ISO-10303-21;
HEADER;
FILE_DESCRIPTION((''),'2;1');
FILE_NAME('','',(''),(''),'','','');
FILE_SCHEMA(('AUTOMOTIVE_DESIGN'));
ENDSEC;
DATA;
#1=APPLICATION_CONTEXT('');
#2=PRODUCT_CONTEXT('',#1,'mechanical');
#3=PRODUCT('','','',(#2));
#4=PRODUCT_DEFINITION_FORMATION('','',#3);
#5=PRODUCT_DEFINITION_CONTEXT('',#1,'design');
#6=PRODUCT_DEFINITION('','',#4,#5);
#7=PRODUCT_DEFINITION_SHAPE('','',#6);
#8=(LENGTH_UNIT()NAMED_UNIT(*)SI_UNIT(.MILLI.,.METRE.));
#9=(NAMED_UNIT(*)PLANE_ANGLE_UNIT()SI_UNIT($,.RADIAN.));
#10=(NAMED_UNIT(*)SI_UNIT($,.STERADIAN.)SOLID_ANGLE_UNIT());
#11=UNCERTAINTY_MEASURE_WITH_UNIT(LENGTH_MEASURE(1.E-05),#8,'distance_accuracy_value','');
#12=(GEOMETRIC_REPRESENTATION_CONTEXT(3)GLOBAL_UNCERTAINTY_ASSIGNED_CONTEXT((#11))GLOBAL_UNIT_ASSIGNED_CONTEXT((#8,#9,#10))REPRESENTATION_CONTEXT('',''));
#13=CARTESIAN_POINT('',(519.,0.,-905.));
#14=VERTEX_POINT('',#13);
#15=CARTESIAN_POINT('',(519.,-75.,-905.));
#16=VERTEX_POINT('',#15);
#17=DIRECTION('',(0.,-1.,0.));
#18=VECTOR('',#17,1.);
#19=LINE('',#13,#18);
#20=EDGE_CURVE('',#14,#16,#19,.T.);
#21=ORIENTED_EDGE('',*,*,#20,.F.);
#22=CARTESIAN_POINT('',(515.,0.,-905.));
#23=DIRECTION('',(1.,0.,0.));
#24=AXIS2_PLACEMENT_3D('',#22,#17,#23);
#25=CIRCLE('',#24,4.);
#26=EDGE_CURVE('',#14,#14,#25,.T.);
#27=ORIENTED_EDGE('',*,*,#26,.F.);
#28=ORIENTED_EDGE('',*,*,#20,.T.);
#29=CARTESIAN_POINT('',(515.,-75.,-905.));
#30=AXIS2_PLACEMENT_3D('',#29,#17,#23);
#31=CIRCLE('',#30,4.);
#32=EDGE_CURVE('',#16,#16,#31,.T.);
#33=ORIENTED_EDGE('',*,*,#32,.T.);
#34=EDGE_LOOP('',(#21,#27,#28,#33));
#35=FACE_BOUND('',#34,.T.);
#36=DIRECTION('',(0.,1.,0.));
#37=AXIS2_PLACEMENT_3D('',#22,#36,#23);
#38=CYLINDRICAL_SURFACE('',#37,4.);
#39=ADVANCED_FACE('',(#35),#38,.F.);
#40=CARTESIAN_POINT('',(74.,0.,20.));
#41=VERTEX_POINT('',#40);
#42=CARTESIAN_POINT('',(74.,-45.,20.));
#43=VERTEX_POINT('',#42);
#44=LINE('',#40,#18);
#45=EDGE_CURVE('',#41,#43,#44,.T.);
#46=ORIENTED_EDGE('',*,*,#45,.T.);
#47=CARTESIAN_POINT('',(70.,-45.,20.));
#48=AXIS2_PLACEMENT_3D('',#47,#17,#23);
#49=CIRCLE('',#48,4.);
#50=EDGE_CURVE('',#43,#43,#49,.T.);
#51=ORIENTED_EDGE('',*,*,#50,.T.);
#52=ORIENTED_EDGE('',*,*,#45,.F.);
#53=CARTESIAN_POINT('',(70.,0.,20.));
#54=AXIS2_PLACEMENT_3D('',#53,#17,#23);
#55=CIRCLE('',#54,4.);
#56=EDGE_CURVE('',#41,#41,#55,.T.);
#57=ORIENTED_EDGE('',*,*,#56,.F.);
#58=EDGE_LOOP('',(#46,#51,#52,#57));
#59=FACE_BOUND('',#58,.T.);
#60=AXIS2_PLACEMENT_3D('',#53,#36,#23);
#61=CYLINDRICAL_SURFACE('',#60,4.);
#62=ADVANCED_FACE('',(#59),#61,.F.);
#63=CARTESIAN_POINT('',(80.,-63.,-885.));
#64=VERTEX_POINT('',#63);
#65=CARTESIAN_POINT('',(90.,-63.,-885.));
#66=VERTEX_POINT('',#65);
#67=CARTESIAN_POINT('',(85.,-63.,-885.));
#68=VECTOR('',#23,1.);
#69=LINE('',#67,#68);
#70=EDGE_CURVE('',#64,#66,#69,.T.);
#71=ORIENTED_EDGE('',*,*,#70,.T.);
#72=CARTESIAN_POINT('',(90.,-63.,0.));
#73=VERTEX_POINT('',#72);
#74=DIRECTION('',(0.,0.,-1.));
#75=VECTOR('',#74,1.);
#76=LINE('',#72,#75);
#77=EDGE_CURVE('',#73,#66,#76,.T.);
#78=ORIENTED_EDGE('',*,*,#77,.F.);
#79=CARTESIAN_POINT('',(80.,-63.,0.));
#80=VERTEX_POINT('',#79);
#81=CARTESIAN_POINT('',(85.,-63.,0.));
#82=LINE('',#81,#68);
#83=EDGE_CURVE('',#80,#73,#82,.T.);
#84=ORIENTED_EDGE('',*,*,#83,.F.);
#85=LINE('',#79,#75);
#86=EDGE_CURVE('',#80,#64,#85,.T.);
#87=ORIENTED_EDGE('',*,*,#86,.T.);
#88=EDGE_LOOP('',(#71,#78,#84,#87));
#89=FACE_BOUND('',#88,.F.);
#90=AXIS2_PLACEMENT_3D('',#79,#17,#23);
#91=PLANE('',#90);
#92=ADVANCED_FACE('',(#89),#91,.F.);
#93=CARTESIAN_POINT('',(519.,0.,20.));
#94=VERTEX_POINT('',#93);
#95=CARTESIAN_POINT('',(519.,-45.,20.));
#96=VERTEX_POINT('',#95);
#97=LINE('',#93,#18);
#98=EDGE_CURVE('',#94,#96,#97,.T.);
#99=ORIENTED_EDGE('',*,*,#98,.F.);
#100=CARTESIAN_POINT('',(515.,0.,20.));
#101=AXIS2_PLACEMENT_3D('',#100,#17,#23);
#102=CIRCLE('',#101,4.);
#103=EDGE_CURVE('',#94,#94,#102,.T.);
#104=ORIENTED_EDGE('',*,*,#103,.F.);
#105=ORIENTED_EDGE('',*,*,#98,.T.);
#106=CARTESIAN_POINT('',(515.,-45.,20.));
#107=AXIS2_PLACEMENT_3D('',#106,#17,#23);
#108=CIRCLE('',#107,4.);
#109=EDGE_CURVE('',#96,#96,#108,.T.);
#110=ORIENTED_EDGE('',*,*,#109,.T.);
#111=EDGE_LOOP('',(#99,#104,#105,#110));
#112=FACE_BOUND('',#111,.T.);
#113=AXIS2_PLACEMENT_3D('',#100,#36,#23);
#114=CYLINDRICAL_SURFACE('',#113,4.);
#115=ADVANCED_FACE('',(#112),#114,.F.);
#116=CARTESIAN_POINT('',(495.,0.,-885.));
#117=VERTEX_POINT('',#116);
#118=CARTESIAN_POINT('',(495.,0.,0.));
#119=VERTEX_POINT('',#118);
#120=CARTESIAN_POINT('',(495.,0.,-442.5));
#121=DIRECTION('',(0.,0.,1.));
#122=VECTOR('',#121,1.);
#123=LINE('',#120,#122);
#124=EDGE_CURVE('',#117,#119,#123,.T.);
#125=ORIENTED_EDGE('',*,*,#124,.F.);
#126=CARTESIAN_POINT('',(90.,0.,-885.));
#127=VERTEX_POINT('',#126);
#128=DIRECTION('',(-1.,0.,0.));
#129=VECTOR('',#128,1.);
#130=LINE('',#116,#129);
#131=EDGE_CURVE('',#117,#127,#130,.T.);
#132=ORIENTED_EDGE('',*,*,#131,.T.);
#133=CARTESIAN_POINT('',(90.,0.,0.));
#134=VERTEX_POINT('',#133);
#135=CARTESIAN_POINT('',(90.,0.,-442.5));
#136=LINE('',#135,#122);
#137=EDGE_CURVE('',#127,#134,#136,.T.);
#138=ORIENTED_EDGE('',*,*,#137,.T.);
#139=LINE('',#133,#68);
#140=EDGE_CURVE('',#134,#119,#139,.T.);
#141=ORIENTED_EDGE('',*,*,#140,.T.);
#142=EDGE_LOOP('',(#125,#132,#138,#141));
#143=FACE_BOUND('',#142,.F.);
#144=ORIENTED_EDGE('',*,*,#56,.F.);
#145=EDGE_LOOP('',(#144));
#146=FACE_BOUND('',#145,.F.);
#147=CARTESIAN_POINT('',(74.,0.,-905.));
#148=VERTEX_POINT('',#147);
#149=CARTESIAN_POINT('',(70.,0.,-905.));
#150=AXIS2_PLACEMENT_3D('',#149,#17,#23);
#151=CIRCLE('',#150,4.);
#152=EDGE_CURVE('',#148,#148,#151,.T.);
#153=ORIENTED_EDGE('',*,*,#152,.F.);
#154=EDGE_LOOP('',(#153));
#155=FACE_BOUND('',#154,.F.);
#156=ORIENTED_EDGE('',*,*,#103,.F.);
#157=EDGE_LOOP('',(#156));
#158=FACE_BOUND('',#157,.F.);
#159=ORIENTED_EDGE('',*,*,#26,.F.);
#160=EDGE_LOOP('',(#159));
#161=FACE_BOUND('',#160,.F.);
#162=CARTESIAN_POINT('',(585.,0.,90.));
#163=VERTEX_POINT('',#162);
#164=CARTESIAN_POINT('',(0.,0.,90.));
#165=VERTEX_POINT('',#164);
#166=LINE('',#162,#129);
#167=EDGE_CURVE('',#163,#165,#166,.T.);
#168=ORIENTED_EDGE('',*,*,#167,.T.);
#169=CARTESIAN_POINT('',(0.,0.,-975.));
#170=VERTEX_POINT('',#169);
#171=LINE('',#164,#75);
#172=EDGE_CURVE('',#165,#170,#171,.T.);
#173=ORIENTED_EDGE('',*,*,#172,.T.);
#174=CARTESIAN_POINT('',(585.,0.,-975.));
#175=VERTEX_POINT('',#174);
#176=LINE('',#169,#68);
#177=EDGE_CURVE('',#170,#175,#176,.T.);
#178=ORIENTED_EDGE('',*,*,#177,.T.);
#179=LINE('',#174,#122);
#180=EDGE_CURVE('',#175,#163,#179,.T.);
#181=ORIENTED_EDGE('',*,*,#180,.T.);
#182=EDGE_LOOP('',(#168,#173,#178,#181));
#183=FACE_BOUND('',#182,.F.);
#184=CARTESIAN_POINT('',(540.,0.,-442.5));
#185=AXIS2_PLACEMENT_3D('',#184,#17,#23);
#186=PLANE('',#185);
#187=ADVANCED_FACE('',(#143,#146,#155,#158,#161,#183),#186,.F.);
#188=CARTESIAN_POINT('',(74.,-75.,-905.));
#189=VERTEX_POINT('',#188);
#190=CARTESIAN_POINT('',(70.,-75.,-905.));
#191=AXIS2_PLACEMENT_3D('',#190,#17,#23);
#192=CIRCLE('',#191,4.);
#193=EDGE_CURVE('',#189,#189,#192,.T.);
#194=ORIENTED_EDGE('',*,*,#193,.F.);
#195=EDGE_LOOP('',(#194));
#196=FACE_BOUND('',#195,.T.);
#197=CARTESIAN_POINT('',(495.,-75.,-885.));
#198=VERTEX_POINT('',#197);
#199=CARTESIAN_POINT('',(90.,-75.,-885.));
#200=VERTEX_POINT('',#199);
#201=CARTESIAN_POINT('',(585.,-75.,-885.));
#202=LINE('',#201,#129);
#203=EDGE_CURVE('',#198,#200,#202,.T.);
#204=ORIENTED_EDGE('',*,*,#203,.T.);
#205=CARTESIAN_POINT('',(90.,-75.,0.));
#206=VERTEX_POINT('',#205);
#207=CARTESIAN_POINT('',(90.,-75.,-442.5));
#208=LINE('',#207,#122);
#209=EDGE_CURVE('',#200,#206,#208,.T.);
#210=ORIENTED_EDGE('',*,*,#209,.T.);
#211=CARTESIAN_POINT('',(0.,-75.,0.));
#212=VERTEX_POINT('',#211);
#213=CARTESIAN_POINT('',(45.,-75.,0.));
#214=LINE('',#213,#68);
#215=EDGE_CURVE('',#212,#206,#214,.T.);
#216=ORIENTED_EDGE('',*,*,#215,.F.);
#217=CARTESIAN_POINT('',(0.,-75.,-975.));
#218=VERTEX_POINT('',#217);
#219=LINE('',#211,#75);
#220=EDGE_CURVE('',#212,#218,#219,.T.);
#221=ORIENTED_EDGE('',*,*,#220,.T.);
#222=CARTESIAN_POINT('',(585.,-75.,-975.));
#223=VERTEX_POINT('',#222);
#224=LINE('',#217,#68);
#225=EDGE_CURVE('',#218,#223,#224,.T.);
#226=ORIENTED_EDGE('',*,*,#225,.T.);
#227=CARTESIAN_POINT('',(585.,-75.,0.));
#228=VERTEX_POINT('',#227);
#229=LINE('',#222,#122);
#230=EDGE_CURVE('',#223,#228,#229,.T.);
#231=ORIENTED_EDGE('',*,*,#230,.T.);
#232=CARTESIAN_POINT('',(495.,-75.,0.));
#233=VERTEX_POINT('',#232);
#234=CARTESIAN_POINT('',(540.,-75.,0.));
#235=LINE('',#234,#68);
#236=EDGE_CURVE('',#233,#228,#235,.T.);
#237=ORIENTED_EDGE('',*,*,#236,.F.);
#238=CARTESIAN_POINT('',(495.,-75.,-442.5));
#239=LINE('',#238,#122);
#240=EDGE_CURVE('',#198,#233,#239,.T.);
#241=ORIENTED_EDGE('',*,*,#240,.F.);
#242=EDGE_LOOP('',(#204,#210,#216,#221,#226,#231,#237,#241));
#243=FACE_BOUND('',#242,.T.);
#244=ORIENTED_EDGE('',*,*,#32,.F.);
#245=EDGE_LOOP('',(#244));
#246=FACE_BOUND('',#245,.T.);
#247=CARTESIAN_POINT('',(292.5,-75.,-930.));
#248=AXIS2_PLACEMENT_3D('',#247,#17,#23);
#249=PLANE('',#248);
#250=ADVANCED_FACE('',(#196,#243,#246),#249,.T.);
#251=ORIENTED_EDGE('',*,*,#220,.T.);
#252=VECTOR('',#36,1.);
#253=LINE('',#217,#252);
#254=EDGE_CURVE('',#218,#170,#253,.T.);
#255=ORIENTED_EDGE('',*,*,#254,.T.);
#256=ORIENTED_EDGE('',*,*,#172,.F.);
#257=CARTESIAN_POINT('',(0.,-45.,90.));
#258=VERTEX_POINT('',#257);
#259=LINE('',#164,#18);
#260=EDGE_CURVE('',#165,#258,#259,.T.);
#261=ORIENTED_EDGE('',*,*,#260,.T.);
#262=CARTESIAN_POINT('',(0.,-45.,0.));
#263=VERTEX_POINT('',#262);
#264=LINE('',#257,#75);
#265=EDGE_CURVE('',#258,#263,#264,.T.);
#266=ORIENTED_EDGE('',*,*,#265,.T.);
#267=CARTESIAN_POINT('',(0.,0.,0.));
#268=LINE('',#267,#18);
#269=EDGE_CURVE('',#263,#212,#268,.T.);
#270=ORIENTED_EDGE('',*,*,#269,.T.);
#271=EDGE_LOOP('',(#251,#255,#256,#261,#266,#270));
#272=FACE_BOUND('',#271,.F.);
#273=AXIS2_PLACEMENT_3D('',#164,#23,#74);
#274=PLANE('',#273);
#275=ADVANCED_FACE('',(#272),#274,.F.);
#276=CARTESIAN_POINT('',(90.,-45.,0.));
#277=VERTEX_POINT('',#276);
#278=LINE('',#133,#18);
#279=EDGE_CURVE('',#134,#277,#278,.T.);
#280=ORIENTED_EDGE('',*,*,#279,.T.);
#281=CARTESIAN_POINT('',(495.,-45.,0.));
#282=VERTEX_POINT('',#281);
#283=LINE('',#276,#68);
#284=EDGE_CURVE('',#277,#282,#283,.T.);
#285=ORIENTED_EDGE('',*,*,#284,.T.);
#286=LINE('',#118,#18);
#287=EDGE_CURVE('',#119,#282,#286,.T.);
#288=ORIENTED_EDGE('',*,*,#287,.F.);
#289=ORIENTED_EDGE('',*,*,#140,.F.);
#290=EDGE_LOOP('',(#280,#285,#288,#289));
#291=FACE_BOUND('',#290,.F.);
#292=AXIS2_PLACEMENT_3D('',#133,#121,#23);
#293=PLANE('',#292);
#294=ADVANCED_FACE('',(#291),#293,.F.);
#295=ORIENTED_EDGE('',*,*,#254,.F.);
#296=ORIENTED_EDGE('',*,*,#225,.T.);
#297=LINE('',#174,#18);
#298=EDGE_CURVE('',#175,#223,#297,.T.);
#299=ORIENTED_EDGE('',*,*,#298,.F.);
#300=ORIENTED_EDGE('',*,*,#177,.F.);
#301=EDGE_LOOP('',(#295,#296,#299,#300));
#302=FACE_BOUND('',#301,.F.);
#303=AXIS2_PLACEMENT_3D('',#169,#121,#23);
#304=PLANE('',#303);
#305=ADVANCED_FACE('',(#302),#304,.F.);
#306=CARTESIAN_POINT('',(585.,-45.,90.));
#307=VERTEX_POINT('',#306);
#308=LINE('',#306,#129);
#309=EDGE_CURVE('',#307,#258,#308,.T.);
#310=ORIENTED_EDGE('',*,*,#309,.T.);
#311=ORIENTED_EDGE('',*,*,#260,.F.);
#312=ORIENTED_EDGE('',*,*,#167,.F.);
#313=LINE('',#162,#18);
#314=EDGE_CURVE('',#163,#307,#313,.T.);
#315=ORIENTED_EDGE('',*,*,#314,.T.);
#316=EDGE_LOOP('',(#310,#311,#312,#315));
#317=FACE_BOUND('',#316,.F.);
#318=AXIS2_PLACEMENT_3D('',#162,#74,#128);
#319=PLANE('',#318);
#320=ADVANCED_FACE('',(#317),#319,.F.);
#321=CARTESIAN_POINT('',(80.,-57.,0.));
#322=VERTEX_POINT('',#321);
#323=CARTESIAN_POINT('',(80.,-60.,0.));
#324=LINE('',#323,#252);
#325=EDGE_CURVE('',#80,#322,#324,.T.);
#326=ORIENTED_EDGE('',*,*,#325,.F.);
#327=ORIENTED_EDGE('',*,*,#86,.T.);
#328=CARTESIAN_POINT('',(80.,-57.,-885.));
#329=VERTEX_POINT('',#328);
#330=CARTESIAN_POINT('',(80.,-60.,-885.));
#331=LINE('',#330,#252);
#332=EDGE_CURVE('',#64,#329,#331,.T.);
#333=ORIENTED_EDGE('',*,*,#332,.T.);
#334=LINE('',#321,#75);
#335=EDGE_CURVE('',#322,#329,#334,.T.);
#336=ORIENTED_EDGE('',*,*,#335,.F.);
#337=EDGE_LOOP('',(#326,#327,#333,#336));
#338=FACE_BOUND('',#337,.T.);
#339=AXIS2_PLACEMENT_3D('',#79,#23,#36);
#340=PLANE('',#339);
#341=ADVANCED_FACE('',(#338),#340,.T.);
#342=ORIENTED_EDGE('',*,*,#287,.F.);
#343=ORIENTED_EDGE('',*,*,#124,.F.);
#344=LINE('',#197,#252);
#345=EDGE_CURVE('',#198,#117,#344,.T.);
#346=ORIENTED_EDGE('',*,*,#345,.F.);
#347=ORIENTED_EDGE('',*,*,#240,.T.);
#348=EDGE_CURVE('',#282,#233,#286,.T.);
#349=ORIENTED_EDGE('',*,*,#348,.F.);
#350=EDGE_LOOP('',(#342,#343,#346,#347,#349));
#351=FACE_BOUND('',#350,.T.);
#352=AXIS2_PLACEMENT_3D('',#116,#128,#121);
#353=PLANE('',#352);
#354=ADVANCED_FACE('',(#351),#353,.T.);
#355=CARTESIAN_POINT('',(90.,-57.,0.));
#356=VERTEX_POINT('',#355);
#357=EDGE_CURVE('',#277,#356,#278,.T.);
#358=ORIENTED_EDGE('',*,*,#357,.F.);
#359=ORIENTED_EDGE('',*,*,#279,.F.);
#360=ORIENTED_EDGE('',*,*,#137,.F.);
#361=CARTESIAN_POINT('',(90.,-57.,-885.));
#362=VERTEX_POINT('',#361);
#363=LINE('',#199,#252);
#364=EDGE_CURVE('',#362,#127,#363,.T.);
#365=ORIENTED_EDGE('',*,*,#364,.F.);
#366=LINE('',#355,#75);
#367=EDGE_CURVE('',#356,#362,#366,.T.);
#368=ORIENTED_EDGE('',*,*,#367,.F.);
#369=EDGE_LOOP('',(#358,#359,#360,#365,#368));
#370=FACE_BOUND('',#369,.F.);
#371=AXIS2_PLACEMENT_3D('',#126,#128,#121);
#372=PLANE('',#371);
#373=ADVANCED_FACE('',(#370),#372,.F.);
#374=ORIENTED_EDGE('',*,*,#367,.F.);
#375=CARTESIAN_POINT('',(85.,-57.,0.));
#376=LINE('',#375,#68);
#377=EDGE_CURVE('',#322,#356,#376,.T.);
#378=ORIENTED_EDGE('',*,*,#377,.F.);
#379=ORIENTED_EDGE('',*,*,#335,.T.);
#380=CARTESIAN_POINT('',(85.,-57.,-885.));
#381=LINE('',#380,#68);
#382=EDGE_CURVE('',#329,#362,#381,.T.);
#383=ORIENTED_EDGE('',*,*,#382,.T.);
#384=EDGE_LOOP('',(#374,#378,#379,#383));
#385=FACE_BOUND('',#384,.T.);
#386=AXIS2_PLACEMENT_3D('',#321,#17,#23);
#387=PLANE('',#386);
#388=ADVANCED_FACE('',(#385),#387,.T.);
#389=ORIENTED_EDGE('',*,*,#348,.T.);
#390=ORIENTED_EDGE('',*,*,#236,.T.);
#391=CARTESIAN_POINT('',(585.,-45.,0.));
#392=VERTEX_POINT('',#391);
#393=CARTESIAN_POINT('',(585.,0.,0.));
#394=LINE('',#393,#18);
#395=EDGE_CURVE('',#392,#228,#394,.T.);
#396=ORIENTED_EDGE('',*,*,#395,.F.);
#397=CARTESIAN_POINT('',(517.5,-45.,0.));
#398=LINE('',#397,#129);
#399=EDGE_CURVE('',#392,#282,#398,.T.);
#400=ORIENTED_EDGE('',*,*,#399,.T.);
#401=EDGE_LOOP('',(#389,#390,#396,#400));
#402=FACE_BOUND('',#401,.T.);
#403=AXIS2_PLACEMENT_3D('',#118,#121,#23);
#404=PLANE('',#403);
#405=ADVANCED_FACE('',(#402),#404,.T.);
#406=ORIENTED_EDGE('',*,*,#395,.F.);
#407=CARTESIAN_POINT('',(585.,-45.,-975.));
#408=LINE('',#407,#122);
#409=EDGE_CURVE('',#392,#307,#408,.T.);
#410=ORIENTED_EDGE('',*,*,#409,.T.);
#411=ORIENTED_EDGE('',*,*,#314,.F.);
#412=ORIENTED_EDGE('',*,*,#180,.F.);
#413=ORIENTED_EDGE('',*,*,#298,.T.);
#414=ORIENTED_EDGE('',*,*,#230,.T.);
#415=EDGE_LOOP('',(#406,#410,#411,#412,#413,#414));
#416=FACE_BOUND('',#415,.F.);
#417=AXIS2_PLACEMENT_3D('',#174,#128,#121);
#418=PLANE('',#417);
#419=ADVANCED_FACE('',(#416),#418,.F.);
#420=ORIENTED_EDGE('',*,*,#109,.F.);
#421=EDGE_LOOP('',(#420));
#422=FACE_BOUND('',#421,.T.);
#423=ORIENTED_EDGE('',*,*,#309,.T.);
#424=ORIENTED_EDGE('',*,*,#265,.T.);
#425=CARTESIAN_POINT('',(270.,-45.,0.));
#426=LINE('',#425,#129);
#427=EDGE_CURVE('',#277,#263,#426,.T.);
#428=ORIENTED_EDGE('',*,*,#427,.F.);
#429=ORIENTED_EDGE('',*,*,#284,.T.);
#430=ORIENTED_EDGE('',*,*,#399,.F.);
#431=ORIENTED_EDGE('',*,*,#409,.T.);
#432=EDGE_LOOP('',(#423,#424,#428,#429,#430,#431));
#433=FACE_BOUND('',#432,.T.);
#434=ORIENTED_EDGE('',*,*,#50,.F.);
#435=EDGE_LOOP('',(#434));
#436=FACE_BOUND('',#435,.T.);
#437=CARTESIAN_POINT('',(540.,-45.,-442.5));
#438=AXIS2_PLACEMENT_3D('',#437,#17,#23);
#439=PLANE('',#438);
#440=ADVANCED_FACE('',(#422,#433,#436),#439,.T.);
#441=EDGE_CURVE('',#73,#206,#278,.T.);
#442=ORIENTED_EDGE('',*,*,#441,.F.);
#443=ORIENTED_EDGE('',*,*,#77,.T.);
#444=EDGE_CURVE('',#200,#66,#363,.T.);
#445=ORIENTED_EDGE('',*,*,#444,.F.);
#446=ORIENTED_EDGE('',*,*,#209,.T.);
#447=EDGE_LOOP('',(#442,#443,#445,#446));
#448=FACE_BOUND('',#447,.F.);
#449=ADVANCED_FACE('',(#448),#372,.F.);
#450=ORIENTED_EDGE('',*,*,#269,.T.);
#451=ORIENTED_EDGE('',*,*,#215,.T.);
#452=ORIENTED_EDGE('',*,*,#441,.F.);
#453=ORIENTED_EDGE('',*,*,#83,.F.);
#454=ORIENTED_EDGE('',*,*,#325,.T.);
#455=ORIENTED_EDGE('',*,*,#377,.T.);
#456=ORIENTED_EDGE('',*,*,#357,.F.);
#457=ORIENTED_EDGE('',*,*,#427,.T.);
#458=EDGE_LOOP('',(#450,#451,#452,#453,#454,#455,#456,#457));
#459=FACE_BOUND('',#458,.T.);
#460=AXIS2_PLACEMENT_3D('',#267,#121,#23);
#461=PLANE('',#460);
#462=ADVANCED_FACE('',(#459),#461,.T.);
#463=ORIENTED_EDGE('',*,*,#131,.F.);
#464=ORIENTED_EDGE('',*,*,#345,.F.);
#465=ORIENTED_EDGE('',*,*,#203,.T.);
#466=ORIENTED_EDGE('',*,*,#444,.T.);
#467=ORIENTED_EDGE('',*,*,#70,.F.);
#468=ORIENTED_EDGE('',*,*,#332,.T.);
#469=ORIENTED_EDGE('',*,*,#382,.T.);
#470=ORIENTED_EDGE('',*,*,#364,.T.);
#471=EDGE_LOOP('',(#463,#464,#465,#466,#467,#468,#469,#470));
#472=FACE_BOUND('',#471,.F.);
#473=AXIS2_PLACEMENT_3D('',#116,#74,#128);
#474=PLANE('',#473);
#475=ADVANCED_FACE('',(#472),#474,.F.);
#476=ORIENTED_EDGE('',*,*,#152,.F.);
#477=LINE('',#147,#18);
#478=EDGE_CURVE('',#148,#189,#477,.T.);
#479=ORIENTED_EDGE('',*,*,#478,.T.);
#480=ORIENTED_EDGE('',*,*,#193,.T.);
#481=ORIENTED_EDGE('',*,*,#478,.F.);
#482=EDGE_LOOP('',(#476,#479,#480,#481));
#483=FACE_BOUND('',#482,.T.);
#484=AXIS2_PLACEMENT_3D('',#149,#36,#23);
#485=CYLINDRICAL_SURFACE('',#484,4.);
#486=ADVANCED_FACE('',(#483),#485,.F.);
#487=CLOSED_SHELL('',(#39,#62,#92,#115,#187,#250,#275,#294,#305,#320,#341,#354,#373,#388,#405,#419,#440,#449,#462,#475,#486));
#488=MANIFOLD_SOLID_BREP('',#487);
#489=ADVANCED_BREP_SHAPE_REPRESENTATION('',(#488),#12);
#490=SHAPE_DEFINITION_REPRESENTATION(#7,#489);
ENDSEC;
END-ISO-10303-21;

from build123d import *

# Parameters (mm, degrees)
F0_W     = 90
F0_H     = 885
F0_R     = 4
F1_DEPTH = 45
F2_DEPTH = 75
F3_W     = 10
F3_H     = 6
F4_DEPTH = 885


with BuildPart() as f1:
    # F0 (on Front) → F1 (new body)
    with BuildSketch(Plane.XZ):
        with Locations((540, -442.5)):
            Rectangle(F0_W, F0_H)
        Polygon((90, -885), (0, -885), (0, -975), (585, -975), (585, -885), (495, -885), align=None)
        with Locations((70, -905)):
            Circle(F0_R, mode=Mode.SUBTRACT)
        with Locations((515, -905)):
            Circle(F0_R, mode=Mode.SUBTRACT)
        with Locations((45, -442.5)):
            Rectangle(F0_W, F0_H)
        Polygon((0, 90), (0, 0), (90, 0), (495, 0), (585, 0), (585, 90), align=None)
        with Locations((70, 20)):
            Circle(F0_R, mode=Mode.SUBTRACT)
        with Locations((515, 20)):
            Circle(F0_R, mode=Mode.SUBTRACT)
    extrude(amount=F1_DEPTH)

    # F0 (on Front) → F2 (join)
    with BuildSketch(Plane.XZ):
        Polygon((90, -885), (0, -885), (0, -975), (585, -975), (585, -885), (495, -885), align=None)
        with Locations((70, -905)):
            Circle(F0_R, mode=Mode.SUBTRACT)
        with Locations((515, -905)):
            Circle(F0_R, mode=Mode.SUBTRACT)
        with Locations((45, -442.5)):
            Rectangle(F0_W, F0_H)
        with Locations((540, -442.5)):
            Rectangle(F0_W, F0_H)
    extrude(amount=F2_DEPTH)

    # F3 (on Top) → F4 (cut, through all)
    with BuildSketch(Plane.XY):
        with Locations((85, -60)):
            Rectangle(F3_W, F3_H)
    extrude(amount=-F4_DEPTH, mode=Mode.SUBTRACT)


solid = f1.part
